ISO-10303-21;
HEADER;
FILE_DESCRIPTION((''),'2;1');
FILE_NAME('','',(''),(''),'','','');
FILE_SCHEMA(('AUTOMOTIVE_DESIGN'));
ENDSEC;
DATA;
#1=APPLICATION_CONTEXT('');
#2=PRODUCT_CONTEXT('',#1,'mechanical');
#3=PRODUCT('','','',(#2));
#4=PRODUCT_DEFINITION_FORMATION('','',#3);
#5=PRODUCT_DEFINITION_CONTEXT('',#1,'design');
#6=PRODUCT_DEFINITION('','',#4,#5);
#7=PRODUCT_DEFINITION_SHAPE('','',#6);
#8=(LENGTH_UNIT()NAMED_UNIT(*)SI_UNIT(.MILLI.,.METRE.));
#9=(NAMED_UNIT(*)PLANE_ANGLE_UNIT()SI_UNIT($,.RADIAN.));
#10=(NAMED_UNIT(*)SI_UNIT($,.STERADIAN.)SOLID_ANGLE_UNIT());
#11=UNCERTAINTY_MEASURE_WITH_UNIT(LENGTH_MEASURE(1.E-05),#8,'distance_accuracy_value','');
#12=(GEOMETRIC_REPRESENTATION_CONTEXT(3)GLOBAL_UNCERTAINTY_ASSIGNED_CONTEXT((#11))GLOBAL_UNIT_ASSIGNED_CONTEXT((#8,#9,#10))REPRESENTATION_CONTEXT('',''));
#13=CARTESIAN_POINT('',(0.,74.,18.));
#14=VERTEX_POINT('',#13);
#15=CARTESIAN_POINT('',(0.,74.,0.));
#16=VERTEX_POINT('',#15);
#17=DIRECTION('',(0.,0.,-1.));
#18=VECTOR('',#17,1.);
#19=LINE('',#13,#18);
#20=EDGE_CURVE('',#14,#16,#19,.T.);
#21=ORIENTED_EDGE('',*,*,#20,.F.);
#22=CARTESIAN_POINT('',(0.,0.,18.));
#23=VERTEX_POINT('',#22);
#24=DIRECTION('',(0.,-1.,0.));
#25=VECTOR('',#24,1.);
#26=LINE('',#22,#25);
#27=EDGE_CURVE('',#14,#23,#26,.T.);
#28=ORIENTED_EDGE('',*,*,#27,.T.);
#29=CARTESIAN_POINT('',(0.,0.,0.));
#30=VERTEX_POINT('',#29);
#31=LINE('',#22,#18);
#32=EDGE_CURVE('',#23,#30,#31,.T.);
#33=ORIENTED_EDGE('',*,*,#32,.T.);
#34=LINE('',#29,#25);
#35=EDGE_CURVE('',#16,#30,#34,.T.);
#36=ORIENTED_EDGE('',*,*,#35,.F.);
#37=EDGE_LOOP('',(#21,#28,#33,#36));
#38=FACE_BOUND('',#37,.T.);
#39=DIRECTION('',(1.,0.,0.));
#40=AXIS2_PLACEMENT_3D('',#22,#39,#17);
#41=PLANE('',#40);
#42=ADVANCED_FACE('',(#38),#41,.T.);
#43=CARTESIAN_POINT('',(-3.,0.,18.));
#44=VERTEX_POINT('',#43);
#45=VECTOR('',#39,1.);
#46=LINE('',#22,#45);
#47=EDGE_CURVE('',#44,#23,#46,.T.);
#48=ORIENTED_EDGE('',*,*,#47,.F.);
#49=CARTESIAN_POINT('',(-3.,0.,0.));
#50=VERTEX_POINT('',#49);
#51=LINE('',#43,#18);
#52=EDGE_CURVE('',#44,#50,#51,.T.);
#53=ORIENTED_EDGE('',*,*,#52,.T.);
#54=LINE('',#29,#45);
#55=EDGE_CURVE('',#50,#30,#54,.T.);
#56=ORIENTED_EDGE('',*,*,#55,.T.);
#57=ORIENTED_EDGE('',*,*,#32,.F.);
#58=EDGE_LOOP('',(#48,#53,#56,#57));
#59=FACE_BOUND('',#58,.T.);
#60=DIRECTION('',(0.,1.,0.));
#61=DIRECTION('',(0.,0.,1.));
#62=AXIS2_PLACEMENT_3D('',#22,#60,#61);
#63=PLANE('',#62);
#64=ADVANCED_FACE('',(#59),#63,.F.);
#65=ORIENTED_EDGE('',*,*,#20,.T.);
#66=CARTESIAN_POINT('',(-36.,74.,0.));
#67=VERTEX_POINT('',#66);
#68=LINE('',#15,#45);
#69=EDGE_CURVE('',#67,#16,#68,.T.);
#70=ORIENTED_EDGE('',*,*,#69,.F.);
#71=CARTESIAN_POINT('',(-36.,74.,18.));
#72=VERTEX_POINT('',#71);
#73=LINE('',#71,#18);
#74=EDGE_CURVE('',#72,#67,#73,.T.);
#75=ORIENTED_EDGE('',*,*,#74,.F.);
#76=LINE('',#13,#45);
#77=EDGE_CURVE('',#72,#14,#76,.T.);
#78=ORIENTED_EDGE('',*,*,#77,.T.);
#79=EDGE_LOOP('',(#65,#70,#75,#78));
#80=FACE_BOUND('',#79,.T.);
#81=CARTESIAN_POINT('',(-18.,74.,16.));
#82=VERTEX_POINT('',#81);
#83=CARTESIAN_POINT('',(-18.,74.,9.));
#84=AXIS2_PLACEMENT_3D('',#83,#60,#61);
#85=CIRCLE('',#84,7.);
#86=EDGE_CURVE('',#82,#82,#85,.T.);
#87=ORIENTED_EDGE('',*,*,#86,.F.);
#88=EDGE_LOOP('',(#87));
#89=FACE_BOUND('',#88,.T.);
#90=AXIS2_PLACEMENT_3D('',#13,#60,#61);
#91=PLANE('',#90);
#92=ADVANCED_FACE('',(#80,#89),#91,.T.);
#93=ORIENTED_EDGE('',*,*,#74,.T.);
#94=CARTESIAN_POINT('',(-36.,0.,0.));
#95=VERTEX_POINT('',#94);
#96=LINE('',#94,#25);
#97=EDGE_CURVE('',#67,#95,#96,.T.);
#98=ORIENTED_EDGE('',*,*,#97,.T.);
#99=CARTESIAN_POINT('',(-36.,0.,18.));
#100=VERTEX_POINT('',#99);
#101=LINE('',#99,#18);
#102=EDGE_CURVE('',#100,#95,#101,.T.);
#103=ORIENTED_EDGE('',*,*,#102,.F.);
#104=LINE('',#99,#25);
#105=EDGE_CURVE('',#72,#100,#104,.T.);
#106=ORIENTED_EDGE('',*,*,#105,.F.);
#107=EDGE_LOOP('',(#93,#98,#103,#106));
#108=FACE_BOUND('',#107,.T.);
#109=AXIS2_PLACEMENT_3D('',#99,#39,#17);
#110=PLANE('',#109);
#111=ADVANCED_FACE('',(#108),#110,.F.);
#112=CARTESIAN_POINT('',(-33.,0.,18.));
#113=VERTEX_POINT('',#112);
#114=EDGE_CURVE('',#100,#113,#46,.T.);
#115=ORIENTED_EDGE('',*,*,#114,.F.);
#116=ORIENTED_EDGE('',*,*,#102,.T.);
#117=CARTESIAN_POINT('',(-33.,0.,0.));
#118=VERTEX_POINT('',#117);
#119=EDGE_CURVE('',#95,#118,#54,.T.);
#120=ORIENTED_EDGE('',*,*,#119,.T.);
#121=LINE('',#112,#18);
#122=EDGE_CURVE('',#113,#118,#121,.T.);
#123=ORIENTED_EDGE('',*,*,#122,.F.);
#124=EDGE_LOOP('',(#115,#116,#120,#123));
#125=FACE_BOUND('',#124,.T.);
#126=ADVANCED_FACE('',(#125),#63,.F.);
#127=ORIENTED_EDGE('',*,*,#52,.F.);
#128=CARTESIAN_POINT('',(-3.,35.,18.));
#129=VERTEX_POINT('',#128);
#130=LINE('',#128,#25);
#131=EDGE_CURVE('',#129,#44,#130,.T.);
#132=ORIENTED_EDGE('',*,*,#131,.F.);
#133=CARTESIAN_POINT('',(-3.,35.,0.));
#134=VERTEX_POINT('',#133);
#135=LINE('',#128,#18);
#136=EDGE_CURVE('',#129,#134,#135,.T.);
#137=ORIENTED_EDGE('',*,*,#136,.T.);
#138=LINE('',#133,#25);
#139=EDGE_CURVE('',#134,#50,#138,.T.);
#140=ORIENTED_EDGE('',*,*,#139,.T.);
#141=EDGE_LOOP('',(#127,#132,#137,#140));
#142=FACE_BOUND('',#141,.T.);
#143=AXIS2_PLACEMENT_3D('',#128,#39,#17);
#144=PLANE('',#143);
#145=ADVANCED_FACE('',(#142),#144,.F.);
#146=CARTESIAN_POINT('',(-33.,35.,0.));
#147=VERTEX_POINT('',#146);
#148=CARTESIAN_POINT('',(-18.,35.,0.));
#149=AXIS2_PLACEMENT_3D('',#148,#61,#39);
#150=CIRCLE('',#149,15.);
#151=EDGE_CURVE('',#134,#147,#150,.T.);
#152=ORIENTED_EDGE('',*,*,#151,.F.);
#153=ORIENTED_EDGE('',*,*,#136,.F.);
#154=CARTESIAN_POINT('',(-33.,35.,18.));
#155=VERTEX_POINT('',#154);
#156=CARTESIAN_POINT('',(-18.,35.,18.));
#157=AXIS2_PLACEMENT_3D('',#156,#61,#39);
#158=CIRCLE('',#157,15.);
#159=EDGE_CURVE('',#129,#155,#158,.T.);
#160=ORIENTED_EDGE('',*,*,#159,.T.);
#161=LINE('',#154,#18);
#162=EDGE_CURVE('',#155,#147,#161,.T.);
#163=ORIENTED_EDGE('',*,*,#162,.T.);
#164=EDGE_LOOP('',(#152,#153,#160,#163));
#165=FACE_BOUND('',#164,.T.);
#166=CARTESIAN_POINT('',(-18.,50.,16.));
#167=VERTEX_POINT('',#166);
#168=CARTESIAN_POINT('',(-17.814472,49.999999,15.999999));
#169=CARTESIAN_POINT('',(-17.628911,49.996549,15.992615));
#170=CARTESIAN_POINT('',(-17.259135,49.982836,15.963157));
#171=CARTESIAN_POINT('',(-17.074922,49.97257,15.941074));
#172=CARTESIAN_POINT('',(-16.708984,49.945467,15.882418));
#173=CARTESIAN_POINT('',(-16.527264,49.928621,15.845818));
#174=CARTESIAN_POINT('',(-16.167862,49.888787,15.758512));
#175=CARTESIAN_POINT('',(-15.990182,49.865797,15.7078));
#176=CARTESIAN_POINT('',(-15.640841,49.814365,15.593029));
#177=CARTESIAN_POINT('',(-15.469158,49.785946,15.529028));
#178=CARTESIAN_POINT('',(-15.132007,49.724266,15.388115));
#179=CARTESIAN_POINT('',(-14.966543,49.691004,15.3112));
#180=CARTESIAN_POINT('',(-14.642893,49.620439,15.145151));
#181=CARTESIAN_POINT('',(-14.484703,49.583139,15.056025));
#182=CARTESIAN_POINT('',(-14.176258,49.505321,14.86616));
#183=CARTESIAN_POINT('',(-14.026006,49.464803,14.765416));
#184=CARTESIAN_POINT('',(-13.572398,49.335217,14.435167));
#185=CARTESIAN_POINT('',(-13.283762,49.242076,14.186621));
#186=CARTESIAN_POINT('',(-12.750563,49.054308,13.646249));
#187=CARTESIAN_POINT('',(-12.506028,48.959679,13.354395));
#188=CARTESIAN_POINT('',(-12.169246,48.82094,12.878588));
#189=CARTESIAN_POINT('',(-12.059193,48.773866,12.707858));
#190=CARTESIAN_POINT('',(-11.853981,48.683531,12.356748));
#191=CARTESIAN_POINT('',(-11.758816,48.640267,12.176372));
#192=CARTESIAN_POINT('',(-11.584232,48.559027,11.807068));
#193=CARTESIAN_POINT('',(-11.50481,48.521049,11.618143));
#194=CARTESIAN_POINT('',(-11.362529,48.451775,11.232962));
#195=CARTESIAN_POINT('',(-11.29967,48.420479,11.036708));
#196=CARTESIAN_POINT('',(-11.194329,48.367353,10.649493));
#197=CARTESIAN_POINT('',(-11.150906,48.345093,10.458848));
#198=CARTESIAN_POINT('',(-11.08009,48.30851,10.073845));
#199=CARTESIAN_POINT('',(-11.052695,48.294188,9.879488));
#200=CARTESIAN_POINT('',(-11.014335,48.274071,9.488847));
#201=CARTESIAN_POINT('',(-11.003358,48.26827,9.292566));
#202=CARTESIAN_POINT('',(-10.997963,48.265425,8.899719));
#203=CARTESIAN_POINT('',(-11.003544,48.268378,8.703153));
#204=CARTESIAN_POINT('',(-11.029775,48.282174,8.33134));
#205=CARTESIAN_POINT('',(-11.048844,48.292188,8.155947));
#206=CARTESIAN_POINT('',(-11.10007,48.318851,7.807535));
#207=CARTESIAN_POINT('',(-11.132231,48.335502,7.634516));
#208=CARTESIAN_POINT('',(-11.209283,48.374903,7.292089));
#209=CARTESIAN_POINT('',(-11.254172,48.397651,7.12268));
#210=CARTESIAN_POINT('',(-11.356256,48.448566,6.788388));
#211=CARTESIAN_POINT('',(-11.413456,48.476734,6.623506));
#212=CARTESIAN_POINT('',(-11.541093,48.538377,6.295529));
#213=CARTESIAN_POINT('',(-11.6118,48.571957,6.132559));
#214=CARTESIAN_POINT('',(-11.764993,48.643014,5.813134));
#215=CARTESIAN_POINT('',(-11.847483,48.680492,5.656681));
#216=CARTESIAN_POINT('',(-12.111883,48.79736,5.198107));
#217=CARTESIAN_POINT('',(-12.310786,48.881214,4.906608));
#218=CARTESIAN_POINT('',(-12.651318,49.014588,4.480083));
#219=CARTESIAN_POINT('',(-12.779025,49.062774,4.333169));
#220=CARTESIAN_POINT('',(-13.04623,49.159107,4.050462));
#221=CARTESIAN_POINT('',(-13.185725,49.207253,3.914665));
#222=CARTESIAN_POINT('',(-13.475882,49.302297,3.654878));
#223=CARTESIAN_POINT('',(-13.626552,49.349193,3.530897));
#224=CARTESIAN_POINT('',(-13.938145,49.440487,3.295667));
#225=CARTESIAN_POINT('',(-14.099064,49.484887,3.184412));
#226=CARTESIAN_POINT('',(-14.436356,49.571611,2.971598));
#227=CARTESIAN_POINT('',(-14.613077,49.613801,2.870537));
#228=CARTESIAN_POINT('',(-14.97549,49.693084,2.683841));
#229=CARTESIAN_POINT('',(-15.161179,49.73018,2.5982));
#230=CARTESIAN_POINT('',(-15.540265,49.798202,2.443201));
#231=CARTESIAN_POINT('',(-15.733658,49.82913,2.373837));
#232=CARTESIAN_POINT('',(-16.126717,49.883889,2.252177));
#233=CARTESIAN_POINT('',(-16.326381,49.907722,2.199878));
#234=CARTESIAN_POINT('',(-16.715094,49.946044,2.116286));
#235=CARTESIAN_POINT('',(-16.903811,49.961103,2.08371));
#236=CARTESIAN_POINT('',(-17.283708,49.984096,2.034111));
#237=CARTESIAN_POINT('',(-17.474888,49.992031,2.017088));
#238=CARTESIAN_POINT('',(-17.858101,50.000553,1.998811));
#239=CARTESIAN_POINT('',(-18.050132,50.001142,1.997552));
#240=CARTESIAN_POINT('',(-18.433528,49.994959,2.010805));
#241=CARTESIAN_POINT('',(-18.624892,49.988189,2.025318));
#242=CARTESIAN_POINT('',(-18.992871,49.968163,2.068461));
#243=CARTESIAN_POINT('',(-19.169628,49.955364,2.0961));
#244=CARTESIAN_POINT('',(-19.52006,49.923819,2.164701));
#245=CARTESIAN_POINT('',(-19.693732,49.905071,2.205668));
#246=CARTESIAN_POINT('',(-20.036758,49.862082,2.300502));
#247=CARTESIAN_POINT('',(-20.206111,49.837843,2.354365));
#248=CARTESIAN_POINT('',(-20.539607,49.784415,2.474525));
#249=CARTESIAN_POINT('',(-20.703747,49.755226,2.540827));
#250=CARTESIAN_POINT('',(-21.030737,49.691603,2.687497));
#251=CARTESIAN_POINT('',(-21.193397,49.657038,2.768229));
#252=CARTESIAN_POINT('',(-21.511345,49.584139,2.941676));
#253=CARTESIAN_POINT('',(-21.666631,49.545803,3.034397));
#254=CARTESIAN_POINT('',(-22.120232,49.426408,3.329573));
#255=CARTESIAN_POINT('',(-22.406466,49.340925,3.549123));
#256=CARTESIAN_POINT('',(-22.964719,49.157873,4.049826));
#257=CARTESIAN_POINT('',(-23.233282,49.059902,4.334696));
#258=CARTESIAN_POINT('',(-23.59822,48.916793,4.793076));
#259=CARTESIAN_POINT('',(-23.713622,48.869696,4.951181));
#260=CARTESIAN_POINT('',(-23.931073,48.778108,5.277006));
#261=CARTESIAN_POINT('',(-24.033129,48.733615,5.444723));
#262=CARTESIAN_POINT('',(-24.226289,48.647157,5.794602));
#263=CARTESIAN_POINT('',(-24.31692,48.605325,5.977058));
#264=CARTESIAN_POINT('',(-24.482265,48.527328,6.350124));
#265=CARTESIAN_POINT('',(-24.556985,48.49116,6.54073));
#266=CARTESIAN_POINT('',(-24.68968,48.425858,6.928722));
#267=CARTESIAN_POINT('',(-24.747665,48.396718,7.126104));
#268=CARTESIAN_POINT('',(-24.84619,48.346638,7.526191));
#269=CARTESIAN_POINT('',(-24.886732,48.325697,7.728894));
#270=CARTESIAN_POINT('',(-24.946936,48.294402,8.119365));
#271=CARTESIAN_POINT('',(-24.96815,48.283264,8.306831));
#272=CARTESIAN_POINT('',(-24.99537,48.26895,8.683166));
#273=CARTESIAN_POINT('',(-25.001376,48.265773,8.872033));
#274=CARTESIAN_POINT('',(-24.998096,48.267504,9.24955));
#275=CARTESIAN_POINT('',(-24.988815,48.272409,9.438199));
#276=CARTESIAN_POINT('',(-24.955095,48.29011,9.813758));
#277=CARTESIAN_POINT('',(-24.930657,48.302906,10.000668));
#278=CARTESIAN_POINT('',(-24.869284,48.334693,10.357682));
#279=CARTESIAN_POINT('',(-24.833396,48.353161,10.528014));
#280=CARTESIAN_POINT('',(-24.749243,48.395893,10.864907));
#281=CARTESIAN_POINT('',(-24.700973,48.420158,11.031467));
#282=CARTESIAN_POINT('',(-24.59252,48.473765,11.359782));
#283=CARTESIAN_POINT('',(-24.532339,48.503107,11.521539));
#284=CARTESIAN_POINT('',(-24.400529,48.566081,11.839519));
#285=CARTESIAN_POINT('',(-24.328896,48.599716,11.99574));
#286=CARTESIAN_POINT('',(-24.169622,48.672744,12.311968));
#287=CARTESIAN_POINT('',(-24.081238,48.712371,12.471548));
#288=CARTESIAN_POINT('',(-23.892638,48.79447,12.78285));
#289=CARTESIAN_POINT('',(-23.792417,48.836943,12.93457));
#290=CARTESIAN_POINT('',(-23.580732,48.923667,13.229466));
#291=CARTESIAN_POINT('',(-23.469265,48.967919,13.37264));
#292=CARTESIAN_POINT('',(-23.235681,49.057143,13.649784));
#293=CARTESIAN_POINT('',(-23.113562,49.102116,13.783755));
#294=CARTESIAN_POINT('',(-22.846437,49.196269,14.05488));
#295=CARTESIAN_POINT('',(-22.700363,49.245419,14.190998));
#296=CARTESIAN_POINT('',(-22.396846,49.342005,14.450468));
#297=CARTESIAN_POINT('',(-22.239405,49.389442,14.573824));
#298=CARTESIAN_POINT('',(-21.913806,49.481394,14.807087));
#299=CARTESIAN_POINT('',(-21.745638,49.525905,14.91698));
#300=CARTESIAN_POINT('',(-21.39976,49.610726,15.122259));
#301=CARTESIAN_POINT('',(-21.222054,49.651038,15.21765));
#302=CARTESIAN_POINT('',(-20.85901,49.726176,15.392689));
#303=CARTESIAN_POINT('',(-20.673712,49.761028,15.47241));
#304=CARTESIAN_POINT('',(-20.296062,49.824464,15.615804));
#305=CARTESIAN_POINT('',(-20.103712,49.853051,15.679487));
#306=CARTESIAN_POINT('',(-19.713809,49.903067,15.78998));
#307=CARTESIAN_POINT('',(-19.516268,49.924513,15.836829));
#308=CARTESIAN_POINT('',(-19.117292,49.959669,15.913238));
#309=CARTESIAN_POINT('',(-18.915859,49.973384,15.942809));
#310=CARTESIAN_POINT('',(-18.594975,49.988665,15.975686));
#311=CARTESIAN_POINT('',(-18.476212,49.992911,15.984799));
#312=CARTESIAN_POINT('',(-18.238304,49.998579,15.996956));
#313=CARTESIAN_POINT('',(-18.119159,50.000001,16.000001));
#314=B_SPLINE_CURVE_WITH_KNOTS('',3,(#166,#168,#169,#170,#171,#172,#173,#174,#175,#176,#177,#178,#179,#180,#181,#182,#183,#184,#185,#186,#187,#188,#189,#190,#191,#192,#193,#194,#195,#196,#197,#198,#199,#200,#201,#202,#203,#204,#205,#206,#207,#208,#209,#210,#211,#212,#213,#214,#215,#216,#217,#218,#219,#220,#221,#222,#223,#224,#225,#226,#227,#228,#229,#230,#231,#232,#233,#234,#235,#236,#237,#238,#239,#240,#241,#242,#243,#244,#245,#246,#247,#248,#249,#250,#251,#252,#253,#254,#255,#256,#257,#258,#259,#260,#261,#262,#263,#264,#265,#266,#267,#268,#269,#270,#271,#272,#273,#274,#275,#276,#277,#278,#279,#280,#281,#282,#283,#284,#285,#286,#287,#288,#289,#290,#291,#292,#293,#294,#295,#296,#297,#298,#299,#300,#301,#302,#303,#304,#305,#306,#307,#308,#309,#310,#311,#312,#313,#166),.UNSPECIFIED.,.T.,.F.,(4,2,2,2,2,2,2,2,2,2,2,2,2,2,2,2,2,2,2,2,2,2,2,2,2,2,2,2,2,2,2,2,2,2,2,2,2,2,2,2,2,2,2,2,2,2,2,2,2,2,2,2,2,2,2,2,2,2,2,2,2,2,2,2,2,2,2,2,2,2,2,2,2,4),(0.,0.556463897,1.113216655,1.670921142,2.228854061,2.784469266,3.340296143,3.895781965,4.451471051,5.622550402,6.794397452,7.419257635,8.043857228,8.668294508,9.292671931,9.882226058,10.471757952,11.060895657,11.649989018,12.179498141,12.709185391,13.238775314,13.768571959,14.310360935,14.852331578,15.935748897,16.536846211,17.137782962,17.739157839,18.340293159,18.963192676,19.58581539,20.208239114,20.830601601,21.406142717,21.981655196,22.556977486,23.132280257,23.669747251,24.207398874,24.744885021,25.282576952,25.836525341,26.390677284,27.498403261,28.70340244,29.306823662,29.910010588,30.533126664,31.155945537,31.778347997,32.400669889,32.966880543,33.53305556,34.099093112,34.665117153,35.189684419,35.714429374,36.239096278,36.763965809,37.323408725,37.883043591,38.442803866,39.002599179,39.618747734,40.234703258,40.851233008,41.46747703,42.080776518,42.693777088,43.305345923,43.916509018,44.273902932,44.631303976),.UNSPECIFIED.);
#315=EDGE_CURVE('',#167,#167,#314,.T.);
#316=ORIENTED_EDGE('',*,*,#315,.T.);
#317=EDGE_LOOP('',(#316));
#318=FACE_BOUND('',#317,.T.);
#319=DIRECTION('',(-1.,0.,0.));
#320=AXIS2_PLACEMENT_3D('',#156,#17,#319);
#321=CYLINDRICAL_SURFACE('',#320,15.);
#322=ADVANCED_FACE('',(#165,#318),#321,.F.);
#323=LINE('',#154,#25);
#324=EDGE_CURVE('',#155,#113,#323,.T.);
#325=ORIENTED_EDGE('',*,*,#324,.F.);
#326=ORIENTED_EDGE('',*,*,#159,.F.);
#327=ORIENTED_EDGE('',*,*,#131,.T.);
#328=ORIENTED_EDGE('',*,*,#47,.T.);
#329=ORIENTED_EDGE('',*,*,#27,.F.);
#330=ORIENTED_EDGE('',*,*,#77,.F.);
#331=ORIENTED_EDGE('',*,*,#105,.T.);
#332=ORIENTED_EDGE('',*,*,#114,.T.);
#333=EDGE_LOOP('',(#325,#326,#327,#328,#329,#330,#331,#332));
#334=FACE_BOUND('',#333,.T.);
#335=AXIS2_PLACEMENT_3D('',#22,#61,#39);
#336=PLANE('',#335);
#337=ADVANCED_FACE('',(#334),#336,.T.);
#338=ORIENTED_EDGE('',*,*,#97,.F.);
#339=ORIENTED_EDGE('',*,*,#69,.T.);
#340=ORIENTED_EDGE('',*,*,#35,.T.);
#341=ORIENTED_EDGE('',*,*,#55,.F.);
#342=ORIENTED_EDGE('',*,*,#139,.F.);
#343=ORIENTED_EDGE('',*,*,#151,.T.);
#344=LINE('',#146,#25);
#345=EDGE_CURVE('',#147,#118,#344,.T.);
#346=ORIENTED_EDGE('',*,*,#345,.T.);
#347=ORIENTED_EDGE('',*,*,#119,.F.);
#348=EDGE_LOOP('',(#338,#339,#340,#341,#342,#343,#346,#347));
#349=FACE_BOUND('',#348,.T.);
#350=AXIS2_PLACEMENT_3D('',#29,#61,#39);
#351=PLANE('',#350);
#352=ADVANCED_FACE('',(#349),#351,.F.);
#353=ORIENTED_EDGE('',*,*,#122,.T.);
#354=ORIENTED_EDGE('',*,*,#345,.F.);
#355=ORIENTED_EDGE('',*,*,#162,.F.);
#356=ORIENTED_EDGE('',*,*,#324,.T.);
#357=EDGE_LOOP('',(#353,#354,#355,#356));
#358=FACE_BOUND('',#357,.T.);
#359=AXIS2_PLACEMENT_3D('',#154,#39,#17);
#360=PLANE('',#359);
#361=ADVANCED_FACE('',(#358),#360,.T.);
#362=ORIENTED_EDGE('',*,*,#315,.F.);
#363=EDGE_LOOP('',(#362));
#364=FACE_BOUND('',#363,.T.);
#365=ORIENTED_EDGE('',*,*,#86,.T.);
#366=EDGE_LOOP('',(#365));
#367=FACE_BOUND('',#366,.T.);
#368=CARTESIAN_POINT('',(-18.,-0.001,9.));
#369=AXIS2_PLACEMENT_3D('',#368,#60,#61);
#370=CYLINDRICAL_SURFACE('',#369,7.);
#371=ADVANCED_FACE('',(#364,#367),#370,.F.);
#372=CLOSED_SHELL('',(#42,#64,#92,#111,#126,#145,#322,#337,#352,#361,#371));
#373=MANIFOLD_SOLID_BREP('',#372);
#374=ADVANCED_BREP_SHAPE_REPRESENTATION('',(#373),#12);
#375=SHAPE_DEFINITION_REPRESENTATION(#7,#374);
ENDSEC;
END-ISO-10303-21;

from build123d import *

# Parameters (mm, degrees)
BOSS_EXTRUDE1_DEPTH     = 18
CUT_EXTRUDE1_REACH      = 86.238
CUT_EXTRUDE1_END_RADIUS = 15
SKETCH3_R               = 7


with BuildPart() as part:
    # Sketch2 → Boss-Extrude1 (new body)
    with BuildSketch(Plane.XY):
        with BuildLine():
            Line((-33.38706816, 74), (-36, 74))
            Line((-36, 74), (-36, 0))
            Line((-36, 0), (-33, 0))
            Line((-33, 0), (-33, 35))
            ThreePointArc((-33, 35), (-18, 50), (-3, 35))
            Line((-3, 35), (-3, 0))
            Line((-3, 0), (0, 0))
            Line((0, 0), (0, 74))
            Line((0, 74), (-12.61679677, 74))
            Line((-12.61679677, 74), (-33.38706816, 74))
        make_face()
    extrude(amount=BOSS_EXTRUDE1_DEPTH)

    # Cut-Extrude1: up to this cylinder (the profile starts outside it)
    cut_extrude1_end = Plane(origin=(-18, 35, 9), z_dir=(0, 0, -1)) * Cylinder(CUT_EXTRUDE1_END_RADIUS, 203.476, mode=Mode.PRIVATE)
    # Sketch3 → Cut-Extrude1 (cut, up to the surface)
    with BuildSketch(Plane(origin=(0, 74, 0), x_dir=(1, 0, 0), z_dir=(0, 1, 0)), mode=Mode.PRIVATE) as cut_extrude1_sk1:
        with Locations(Location((-18, -9, 0), (0, 0, 270))):
            Circle(SKETCH3_R)
    cut_extrude1_tool1 = extrude(cut_extrude1_sk1.sketch, amount=-CUT_EXTRUDE1_REACH, mode=Mode.PRIVATE) - cut_extrude1_end
    add(cut_extrude1_tool1.solids().sort_by_distance((-18, 74, 9))[0], mode=Mode.SUBTRACT)


solid = part.part
